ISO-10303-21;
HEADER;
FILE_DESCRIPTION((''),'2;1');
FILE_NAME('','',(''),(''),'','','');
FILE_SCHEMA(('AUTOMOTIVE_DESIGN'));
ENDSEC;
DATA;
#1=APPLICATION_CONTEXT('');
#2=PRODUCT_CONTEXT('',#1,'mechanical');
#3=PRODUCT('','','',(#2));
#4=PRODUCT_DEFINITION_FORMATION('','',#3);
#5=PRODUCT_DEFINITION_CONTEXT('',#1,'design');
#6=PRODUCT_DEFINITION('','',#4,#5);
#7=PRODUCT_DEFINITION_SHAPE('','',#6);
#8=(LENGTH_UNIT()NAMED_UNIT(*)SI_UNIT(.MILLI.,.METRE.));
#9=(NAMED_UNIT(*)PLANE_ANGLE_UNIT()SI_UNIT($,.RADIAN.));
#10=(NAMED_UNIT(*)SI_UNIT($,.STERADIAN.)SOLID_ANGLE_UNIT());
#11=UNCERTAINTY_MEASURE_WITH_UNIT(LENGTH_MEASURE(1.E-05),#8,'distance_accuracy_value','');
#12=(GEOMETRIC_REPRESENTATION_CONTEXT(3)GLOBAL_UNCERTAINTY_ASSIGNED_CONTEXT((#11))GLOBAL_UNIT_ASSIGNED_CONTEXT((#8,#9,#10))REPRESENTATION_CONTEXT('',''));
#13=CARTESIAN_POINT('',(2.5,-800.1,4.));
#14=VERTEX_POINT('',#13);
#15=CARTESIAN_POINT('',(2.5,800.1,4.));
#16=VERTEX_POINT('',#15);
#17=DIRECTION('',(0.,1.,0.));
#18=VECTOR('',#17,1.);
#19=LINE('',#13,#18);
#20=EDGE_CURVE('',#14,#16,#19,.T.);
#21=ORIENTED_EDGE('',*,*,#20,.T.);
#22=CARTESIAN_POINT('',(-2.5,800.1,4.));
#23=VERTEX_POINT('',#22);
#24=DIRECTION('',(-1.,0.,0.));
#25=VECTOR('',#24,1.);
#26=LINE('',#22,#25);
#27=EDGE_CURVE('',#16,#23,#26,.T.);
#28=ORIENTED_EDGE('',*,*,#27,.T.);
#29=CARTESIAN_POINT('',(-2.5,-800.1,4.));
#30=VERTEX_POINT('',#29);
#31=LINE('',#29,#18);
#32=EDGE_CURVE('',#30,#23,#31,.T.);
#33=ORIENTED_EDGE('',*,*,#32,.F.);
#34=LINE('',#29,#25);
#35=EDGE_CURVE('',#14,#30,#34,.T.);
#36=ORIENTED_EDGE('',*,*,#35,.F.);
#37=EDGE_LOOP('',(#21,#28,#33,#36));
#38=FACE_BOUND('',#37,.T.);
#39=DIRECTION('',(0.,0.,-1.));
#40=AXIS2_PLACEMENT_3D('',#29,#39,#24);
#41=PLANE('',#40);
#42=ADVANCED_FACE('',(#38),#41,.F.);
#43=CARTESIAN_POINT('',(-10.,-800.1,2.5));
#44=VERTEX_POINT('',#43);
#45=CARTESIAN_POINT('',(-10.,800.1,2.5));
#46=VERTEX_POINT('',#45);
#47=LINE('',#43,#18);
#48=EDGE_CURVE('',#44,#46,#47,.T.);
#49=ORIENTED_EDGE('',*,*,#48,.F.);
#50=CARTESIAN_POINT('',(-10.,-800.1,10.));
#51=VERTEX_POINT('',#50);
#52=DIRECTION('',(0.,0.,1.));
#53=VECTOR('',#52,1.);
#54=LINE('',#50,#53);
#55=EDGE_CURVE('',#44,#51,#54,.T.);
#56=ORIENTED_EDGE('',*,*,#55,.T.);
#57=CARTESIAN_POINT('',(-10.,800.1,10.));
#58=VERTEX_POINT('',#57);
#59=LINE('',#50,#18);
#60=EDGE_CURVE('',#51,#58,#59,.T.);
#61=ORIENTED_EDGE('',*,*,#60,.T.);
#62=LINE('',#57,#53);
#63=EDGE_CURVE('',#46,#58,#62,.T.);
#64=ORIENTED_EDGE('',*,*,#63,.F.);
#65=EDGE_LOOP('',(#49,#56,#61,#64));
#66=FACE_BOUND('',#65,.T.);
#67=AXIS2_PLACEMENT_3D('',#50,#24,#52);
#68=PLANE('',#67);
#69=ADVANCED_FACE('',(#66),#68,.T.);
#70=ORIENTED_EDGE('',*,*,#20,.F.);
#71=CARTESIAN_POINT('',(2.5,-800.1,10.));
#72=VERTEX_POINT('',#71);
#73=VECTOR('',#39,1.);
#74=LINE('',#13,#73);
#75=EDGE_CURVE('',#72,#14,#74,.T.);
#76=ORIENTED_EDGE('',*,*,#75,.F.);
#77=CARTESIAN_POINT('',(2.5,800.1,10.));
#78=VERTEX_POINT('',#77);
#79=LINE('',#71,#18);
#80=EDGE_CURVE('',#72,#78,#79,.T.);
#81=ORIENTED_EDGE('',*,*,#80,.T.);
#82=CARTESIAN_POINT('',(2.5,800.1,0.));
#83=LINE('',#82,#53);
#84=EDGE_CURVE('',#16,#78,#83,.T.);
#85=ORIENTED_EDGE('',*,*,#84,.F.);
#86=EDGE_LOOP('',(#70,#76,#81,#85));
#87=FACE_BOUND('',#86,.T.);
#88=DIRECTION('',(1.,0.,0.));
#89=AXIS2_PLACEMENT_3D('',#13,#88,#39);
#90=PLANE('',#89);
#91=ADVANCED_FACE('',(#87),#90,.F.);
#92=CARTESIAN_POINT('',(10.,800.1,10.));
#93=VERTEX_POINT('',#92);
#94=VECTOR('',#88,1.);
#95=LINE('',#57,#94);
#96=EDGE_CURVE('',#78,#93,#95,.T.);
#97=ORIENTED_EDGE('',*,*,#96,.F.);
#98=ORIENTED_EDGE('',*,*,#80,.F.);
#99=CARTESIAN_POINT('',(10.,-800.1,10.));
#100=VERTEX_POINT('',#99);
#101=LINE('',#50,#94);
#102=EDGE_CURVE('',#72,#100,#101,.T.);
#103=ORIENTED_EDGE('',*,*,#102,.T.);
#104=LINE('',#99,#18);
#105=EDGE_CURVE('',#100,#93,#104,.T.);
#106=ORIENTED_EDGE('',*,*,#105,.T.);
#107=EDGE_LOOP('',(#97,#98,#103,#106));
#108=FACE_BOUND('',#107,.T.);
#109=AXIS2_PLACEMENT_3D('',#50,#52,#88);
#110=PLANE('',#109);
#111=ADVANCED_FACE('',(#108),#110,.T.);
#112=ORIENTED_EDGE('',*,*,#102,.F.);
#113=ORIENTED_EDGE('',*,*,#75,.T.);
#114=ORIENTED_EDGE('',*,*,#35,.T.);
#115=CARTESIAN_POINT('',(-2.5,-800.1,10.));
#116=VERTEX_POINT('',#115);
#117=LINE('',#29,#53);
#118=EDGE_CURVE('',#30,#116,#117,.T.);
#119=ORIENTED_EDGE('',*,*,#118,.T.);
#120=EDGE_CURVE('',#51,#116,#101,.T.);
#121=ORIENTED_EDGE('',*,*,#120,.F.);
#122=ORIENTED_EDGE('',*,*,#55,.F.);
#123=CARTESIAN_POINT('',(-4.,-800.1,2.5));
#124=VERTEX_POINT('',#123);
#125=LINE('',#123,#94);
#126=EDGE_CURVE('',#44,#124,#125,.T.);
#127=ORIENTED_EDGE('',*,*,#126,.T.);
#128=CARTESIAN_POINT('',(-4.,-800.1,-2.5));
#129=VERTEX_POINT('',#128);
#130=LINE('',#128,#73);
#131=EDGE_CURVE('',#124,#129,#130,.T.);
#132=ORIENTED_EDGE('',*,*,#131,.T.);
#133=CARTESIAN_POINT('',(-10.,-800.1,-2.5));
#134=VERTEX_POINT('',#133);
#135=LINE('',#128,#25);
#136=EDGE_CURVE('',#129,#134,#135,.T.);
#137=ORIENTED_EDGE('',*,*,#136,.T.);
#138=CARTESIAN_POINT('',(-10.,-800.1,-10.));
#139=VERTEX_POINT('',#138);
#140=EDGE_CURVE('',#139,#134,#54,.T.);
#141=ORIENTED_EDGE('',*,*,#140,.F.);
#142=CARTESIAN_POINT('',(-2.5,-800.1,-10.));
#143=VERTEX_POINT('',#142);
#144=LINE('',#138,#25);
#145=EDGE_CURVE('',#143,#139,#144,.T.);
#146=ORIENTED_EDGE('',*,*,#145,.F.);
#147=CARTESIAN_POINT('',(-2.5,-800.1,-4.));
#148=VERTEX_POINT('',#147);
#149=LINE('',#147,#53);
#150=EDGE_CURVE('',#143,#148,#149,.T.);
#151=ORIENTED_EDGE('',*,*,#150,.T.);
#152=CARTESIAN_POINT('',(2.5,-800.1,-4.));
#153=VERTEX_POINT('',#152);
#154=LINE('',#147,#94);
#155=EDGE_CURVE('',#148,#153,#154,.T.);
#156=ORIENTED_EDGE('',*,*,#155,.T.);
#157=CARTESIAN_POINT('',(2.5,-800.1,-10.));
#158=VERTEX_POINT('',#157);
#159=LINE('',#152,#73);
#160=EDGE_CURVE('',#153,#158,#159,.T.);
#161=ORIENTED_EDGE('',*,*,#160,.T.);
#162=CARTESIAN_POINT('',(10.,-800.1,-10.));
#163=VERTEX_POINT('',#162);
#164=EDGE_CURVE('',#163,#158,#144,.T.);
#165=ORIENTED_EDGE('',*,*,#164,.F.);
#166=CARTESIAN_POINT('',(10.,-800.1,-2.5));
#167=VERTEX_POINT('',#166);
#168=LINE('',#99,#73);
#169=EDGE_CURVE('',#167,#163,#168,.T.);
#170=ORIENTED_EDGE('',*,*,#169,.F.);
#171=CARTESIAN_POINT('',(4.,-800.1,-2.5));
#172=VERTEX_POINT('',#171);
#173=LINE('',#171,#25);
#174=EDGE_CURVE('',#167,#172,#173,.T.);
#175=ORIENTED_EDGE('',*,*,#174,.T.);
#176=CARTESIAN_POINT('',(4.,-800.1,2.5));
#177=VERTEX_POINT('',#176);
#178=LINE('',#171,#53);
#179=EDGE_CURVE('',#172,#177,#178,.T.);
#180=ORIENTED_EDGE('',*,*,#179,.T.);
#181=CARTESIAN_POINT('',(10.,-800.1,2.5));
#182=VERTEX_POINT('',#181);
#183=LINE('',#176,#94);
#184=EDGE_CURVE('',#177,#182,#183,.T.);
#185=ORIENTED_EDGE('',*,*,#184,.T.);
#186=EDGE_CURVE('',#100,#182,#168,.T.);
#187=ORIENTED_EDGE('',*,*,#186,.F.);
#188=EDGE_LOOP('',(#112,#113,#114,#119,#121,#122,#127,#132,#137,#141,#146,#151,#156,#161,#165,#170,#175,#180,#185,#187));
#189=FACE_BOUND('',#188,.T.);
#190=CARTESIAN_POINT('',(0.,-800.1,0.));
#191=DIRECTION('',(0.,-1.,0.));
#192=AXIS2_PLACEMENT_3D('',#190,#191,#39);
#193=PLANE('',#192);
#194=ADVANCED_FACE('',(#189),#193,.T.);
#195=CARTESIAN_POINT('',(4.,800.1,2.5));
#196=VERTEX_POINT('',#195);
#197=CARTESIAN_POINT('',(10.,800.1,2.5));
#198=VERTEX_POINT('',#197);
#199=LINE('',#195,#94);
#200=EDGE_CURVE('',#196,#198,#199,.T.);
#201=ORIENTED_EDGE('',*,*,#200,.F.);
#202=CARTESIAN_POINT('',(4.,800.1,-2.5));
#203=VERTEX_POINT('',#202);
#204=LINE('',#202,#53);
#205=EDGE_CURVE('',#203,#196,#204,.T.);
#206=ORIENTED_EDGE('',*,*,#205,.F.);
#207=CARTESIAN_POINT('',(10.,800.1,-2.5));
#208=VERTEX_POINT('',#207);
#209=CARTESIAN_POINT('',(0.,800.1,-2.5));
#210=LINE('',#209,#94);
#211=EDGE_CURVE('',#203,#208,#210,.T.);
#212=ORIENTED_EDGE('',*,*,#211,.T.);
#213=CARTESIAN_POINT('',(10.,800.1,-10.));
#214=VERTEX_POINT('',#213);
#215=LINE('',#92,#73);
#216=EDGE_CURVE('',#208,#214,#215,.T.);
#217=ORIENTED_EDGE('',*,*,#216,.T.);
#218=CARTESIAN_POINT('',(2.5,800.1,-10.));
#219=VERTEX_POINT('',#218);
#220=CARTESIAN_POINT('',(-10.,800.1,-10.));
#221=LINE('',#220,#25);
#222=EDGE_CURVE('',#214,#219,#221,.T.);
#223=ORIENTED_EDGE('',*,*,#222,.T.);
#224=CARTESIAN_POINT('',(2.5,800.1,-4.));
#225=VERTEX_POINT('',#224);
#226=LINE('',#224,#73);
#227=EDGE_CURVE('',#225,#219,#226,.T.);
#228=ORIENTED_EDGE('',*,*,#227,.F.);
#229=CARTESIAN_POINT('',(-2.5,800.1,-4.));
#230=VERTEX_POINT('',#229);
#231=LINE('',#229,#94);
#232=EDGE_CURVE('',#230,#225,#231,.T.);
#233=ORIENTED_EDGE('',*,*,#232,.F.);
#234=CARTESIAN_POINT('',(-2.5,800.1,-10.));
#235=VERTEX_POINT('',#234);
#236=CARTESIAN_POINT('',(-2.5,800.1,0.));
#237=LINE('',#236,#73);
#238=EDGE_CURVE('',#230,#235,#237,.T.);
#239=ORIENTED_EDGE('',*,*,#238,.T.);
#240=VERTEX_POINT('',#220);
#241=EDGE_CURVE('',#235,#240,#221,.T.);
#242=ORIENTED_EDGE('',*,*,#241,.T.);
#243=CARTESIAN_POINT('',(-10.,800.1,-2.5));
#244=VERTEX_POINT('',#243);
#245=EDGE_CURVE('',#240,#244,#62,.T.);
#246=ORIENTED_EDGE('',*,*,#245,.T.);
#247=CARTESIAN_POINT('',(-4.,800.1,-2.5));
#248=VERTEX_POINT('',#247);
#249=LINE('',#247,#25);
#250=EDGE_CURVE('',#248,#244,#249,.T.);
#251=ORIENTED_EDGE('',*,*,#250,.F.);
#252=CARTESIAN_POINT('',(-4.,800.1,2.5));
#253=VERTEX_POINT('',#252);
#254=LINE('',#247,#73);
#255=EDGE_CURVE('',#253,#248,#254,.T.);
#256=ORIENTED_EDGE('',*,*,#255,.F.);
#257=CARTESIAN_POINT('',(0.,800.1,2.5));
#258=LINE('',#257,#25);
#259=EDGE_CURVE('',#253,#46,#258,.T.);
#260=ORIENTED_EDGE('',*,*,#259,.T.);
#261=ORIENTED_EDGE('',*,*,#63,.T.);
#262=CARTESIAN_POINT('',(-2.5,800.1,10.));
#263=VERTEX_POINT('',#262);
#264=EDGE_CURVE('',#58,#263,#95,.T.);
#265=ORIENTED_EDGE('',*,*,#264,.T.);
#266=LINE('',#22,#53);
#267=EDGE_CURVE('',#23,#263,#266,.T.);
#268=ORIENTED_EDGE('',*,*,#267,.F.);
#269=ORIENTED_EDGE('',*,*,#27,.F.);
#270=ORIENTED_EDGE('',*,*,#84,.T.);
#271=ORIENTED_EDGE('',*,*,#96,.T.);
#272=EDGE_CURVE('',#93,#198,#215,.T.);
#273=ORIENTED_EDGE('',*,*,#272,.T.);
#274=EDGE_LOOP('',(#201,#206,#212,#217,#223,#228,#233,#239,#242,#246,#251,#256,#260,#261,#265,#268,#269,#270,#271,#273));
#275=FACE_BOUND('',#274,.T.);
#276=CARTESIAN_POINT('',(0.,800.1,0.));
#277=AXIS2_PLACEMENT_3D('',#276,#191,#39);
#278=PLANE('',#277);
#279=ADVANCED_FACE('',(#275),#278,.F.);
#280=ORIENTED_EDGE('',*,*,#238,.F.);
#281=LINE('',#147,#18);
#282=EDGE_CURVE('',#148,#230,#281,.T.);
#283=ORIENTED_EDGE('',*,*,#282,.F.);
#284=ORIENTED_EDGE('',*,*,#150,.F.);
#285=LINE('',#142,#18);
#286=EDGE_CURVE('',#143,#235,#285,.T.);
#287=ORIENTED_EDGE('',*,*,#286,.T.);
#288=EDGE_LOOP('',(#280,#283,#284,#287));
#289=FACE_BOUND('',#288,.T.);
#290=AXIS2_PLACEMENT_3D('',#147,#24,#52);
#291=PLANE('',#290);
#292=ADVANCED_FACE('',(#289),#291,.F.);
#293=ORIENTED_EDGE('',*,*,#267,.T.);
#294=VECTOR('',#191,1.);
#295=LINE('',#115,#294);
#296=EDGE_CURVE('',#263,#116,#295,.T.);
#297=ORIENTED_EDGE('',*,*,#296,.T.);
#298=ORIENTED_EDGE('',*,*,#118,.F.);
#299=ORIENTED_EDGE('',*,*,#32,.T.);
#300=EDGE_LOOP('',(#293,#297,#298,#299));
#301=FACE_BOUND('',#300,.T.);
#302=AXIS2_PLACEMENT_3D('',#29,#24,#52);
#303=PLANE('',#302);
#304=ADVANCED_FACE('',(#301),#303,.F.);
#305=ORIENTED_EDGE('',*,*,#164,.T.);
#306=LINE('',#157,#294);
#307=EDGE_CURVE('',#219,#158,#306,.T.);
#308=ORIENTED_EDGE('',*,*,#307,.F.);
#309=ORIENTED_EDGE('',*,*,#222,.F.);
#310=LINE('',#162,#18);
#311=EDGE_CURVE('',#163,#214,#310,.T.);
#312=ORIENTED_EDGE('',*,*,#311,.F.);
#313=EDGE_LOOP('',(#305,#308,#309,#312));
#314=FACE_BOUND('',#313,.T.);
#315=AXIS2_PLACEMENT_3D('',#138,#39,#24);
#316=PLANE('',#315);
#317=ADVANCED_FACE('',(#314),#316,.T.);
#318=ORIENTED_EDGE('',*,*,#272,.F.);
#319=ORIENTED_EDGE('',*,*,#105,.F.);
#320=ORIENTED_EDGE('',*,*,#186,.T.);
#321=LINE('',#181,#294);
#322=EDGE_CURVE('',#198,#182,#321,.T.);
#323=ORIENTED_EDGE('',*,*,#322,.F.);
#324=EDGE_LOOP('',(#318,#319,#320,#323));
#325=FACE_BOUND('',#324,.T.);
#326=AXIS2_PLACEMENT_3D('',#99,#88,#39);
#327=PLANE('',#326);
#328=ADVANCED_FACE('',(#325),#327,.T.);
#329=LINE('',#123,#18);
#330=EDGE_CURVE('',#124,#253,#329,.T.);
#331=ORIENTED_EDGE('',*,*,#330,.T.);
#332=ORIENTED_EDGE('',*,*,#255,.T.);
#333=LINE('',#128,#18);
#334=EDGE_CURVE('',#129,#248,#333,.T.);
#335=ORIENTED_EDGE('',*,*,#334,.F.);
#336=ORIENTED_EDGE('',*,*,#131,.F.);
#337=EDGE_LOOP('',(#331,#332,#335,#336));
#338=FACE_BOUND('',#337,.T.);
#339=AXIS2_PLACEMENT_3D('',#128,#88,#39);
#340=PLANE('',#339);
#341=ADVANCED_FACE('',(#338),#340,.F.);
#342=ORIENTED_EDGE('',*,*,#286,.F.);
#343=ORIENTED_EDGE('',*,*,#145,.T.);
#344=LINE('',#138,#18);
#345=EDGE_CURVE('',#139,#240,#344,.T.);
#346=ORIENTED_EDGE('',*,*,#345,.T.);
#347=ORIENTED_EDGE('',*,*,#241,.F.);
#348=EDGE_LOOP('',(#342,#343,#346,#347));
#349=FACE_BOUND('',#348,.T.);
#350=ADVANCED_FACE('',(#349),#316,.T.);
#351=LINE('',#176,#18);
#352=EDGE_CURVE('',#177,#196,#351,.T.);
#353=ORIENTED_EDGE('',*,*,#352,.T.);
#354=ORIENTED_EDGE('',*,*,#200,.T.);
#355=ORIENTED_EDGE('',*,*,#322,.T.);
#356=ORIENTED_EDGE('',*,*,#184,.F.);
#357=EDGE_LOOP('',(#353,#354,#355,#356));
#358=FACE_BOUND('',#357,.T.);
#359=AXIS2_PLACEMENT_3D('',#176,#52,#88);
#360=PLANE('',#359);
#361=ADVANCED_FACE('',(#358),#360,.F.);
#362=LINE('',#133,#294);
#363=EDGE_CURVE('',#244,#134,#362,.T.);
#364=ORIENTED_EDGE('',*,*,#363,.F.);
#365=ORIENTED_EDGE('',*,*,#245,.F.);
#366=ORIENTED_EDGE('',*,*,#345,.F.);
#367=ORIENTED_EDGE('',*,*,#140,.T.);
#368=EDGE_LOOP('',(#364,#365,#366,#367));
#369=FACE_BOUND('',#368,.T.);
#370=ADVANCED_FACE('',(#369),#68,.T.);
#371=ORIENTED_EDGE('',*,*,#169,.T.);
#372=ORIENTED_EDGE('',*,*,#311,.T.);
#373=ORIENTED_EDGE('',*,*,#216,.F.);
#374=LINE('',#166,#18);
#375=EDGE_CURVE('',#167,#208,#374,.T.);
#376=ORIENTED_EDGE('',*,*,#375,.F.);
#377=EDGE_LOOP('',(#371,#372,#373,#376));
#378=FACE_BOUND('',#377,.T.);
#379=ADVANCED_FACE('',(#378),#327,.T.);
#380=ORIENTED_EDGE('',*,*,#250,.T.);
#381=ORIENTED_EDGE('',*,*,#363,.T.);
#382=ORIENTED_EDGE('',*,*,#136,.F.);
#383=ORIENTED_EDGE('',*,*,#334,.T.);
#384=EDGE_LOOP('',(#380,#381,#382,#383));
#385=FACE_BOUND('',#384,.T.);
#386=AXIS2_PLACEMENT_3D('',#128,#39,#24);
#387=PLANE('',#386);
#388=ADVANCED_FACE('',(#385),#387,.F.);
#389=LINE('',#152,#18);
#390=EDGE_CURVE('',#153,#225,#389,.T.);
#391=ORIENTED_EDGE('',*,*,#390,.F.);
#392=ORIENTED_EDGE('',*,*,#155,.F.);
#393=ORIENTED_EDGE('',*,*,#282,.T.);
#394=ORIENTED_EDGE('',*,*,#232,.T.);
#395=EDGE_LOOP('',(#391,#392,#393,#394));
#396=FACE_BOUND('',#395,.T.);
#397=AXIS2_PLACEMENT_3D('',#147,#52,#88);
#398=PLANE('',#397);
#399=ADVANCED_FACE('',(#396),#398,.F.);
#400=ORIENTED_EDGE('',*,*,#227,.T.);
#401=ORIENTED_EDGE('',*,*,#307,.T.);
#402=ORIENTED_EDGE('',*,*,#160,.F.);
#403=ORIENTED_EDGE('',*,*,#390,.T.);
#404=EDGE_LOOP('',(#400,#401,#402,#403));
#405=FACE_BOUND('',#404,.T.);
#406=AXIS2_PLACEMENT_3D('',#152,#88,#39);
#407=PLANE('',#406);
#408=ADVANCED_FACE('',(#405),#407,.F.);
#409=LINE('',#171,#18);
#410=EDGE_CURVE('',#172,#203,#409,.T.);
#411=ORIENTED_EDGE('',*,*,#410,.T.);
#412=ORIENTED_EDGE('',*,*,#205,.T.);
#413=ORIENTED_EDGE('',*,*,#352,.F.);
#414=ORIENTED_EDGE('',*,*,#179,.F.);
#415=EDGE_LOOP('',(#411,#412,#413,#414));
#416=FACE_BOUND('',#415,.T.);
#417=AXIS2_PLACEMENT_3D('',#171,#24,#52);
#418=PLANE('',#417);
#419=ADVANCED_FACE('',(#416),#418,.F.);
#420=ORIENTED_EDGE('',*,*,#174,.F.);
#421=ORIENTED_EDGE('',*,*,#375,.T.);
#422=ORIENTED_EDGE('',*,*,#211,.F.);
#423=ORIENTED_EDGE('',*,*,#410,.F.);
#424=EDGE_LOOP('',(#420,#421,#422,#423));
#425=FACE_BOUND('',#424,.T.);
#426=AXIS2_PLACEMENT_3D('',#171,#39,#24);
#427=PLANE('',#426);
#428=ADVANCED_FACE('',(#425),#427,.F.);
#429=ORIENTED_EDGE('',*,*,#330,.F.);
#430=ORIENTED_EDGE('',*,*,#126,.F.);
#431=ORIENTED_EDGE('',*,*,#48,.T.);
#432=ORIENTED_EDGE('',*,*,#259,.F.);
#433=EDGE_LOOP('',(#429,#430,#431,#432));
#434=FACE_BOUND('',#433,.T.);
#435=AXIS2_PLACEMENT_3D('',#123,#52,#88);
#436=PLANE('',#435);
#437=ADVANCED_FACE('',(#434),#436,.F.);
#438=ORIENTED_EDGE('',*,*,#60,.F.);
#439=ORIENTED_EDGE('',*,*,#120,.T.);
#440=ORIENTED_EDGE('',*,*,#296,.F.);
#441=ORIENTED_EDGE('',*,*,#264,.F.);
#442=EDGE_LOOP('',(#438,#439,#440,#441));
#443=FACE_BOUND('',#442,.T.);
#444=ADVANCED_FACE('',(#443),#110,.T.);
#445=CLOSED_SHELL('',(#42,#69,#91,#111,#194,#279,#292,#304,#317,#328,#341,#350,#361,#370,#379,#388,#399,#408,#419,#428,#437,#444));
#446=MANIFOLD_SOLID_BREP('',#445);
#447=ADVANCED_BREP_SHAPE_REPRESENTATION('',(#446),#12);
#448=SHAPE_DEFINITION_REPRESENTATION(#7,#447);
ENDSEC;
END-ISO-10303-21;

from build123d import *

# Parameters (mm, degrees)
BOSS_EXTRUDE1_DEPTH      = 800.1
BOSS_EXTRUDE1_DEPTH_BACK = 800.1
SKETCH1_W                = 20
SKETCH1_H                = 20
CUT_EXTRUDE1_DEPTH       = 801.224974617
CUT_EXTRUDE1_DEPTH_BACK  = 801.224974617
SKETCH2_W                = 5
SKETCH2_H                = 12
SKETCH2_W_2              = 12
SKETCH2_H_2              = 5


with BuildPart() as part:
    # Sketch1 → Boss-Extrude1 (new, two sides: drawn at the far end of the back side and taken through both)
    with BuildSketch(Plane(origin=(0, 0, 0), x_dir=(1, 0, 0), z_dir=(0, 1, 0)).offset(-BOSS_EXTRUDE1_DEPTH_BACK)):
        Rectangle(SKETCH1_W, SKETCH1_H)
    extrude(amount=BOSS_EXTRUDE1_DEPTH + BOSS_EXTRUDE1_DEPTH_BACK)

    # Sketch2 → Cut-Extrude1 (cut, two sides: drawn at the far end of the back side and taken through both)
    with BuildSketch(Plane(origin=(0, 0, 0), x_dir=(1, 0, 0), z_dir=(0, 1, 0)).offset(-CUT_EXTRUDE1_DEPTH_BACK)):
        with Locations((0, 10)):
            Rectangle(SKETCH2_W, SKETCH2_H)
        with Locations((10, 0)):
            Rectangle(SKETCH2_W_2, SKETCH2_H_2)
        with Locations((-10, 0)):
            Rectangle(SKETCH2_W_2, SKETCH2_H_2)
        with Locations((0, -10)):
            Rectangle(SKETCH2_W, SKETCH2_H)
    extrude(amount=CUT_EXTRUDE1_DEPTH + CUT_EXTRUDE1_DEPTH_BACK, mode=Mode.SUBTRACT)


solid = part.part
